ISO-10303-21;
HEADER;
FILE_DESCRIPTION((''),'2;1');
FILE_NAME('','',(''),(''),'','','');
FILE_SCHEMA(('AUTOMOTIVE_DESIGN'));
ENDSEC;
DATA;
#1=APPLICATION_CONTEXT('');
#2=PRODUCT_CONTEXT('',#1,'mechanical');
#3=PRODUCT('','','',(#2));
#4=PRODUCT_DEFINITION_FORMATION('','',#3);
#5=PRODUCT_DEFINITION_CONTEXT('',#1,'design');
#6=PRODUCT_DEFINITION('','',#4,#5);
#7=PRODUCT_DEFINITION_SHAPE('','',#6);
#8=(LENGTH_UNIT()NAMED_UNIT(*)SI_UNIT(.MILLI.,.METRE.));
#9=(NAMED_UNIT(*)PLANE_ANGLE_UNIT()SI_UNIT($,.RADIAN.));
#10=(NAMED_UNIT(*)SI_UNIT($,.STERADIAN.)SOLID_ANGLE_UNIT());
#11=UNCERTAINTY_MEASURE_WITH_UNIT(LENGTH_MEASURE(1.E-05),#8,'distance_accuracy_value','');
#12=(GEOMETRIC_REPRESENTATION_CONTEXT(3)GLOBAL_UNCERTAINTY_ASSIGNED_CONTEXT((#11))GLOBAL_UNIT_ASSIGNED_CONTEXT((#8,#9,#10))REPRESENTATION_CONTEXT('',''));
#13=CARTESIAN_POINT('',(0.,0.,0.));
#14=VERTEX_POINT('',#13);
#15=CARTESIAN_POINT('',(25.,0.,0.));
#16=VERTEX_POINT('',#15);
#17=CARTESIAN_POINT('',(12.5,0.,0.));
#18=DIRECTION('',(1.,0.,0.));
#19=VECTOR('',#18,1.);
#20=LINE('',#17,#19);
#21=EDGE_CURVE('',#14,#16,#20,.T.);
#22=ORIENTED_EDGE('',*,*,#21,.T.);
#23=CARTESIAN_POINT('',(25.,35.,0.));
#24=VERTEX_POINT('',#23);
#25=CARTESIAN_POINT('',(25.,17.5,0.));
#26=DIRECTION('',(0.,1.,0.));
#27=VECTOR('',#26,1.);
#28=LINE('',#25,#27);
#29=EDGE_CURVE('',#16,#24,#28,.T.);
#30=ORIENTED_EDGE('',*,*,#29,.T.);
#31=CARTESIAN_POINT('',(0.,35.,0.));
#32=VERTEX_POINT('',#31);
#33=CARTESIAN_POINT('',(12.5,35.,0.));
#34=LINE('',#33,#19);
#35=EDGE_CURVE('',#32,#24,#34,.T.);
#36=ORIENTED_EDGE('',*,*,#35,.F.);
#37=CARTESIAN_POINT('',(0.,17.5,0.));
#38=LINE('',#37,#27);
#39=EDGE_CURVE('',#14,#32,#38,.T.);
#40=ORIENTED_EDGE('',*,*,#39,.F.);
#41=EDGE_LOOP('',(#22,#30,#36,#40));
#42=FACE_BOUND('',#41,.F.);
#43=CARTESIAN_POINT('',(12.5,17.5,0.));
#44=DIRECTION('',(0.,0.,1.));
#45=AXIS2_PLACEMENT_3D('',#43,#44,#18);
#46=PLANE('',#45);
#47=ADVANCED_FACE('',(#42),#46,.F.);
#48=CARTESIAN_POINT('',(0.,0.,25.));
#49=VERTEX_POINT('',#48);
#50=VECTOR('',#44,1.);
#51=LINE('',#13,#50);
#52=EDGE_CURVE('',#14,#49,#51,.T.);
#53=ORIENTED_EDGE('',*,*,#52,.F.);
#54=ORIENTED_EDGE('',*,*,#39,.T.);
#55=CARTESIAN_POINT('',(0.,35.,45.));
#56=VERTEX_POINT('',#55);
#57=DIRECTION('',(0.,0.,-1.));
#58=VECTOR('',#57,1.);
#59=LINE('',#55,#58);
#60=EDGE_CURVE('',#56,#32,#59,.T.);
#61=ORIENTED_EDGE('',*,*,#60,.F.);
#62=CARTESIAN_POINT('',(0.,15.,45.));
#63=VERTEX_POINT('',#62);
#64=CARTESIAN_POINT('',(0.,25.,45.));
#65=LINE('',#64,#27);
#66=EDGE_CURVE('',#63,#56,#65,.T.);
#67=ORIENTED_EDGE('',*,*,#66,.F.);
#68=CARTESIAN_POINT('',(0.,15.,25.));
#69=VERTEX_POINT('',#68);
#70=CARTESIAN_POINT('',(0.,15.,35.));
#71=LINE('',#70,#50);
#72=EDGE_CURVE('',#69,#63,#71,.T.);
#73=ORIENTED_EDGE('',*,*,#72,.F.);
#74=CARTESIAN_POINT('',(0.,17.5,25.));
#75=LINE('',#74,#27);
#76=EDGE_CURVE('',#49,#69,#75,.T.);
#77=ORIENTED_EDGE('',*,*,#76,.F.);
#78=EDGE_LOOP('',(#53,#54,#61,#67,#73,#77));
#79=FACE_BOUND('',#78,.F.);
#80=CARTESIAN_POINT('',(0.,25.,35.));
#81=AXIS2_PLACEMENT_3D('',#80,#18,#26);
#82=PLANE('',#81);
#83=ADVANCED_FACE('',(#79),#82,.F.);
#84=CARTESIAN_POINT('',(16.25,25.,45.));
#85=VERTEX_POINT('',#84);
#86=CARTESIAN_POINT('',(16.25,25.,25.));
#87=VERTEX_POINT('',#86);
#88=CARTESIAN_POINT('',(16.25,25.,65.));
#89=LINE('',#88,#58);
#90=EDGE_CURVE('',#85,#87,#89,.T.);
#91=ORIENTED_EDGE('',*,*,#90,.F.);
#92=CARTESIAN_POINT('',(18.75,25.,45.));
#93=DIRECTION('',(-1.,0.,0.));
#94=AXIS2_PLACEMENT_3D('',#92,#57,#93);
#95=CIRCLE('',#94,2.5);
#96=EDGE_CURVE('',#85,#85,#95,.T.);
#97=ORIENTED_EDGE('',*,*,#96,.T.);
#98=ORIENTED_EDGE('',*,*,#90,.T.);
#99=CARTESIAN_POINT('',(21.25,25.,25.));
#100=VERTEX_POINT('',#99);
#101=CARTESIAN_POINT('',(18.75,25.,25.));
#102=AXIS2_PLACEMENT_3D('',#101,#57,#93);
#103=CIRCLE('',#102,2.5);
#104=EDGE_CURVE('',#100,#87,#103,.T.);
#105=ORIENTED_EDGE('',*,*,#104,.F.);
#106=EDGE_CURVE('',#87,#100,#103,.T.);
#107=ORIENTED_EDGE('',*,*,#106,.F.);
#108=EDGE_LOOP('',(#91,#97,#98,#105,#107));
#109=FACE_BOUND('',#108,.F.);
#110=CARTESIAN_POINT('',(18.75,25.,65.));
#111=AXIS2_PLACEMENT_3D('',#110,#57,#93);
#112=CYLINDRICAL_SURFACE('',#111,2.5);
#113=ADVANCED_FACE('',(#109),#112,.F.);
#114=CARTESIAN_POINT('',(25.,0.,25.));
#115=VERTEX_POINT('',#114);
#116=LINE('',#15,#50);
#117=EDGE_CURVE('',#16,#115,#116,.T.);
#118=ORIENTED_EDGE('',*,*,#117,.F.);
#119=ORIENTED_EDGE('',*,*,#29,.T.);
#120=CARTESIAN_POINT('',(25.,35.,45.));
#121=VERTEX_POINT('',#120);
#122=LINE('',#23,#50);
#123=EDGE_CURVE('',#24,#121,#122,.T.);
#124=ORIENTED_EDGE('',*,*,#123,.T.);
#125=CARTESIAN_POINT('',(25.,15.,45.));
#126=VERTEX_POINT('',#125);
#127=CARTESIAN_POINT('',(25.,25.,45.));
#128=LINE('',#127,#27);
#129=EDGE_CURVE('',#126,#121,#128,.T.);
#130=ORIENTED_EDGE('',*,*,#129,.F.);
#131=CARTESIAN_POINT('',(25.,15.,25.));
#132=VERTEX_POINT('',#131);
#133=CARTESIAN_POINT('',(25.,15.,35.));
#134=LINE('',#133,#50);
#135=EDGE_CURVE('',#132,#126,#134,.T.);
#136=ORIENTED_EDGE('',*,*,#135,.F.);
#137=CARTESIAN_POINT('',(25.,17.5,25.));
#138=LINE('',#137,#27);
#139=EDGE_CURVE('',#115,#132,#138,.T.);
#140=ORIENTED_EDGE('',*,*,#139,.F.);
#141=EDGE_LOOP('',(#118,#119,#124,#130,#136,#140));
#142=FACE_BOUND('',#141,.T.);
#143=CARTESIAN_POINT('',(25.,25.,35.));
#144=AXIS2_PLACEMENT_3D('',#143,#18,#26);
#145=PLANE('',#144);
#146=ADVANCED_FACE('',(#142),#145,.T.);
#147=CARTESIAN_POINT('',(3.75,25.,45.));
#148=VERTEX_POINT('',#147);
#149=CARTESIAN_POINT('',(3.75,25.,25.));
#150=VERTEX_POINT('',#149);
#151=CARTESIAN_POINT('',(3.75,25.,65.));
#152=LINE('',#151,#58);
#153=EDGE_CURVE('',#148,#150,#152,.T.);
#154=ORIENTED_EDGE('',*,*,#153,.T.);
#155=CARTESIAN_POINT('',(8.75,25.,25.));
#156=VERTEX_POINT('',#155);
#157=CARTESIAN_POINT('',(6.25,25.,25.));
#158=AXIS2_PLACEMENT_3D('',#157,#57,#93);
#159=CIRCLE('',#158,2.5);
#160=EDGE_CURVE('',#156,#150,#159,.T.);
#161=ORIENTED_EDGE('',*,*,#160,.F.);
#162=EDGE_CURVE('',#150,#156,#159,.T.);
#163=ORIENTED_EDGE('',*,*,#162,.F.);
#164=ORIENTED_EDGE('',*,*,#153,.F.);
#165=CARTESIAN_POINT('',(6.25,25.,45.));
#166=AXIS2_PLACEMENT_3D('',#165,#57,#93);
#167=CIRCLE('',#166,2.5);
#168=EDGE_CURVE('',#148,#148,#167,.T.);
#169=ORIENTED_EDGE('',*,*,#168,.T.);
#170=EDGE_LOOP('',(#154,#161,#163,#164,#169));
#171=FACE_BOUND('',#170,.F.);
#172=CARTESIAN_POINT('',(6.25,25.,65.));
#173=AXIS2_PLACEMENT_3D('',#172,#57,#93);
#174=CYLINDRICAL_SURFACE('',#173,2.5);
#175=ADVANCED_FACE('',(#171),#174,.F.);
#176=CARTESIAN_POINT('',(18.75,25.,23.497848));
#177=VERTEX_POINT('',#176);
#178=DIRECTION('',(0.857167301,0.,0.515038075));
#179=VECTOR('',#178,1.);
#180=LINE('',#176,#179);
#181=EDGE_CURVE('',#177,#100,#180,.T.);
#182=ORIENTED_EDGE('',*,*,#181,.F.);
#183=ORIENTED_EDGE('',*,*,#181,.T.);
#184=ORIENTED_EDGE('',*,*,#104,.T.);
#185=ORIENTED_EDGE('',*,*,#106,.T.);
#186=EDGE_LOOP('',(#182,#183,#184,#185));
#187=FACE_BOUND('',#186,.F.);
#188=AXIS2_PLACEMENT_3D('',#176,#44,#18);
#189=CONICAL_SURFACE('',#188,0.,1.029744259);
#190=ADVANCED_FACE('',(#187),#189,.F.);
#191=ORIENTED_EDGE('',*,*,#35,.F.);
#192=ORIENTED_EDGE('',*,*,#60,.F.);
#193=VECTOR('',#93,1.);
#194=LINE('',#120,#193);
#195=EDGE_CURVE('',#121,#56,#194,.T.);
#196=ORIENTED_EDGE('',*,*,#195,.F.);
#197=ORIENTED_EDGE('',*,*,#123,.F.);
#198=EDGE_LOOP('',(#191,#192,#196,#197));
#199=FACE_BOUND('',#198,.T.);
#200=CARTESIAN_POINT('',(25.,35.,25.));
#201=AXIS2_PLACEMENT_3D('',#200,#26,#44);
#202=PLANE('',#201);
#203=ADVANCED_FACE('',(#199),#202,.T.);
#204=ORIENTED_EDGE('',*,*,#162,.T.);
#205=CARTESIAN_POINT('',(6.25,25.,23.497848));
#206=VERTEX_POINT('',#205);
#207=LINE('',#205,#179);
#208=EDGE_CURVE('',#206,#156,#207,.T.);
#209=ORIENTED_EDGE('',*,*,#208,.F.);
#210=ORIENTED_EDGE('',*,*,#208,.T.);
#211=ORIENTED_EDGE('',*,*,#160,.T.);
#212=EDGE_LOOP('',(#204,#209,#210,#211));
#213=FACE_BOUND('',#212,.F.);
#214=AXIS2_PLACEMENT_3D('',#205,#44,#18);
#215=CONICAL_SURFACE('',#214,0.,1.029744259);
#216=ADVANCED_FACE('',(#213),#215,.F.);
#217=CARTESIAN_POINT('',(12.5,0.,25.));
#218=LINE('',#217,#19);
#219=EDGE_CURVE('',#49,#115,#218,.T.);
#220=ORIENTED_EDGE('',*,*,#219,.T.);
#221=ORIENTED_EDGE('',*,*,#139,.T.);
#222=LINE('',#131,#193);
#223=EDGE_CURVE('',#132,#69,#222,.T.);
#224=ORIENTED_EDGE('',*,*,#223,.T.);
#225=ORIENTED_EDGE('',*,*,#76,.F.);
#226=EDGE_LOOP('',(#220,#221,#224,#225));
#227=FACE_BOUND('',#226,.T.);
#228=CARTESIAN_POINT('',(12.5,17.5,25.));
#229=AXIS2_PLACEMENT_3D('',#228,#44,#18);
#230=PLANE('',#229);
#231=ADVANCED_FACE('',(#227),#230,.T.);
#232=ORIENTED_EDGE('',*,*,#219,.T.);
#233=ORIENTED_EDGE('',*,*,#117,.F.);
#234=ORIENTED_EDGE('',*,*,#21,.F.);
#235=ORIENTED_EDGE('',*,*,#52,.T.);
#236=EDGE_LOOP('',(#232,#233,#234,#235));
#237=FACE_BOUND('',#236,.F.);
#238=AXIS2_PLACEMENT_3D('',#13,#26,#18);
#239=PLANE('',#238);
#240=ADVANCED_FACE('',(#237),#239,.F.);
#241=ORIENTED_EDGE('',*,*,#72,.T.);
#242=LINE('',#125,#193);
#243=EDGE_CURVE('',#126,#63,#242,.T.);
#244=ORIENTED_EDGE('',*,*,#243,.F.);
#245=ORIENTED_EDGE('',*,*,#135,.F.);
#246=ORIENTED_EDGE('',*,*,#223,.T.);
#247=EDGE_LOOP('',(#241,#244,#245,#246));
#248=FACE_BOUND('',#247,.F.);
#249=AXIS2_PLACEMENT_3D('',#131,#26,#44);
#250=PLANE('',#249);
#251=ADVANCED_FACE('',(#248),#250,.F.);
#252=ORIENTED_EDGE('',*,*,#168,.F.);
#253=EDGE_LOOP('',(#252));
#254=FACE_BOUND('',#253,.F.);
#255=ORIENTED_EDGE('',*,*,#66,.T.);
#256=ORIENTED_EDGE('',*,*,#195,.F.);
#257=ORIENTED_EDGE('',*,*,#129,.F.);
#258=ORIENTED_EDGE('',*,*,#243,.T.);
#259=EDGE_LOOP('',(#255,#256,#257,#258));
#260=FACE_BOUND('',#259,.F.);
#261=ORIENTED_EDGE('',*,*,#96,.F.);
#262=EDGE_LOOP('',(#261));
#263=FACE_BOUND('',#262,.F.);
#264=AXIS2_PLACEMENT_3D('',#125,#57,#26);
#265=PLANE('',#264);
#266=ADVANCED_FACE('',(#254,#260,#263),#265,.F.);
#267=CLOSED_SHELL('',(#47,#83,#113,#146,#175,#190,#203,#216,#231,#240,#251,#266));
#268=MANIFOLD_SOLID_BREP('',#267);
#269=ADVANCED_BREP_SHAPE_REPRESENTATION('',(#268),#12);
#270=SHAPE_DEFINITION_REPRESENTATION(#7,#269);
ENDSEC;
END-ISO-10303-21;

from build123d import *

# Parameters (mm, degrees)
F0_W     = 25
F0_H     = 35
F1_DEPTH = 25
F2_W     = 20
F2_H     = 20
F3_DEPTH = 25
F5_D     = 5
F5_DEPTH = 20
F5_TIP   = 1.5021515476


with BuildPart() as f1:
    # F0 (on Top) → F1 (new body)
    with BuildSketch(Plane.XY):
        with Locations((12.5, 17.5)):
            Rectangle(F0_W, F0_H)
    extrude(amount=F1_DEPTH)

    # F2 (on face) → F3 (join)
    with BuildSketch(Plane.YZ.offset(25)):
        with Locations((25, 35)):
            Rectangle(F2_W, F2_H)
    extrude(amount=-F3_DEPTH)

    # F5
    with Locations(Plane.XY.offset(45)):
        with Locations((6.25, 25), (18.75, 25)):
            Hole(F5_D / 2, depth=F5_DEPTH)
            with Locations((0, 0, -(F5_DEPTH + F5_TIP / 2))):  # 118° drill point
                Cone(0, F5_D / 2, F5_TIP, mode=Mode.SUBTRACT)


solid = f1.part
